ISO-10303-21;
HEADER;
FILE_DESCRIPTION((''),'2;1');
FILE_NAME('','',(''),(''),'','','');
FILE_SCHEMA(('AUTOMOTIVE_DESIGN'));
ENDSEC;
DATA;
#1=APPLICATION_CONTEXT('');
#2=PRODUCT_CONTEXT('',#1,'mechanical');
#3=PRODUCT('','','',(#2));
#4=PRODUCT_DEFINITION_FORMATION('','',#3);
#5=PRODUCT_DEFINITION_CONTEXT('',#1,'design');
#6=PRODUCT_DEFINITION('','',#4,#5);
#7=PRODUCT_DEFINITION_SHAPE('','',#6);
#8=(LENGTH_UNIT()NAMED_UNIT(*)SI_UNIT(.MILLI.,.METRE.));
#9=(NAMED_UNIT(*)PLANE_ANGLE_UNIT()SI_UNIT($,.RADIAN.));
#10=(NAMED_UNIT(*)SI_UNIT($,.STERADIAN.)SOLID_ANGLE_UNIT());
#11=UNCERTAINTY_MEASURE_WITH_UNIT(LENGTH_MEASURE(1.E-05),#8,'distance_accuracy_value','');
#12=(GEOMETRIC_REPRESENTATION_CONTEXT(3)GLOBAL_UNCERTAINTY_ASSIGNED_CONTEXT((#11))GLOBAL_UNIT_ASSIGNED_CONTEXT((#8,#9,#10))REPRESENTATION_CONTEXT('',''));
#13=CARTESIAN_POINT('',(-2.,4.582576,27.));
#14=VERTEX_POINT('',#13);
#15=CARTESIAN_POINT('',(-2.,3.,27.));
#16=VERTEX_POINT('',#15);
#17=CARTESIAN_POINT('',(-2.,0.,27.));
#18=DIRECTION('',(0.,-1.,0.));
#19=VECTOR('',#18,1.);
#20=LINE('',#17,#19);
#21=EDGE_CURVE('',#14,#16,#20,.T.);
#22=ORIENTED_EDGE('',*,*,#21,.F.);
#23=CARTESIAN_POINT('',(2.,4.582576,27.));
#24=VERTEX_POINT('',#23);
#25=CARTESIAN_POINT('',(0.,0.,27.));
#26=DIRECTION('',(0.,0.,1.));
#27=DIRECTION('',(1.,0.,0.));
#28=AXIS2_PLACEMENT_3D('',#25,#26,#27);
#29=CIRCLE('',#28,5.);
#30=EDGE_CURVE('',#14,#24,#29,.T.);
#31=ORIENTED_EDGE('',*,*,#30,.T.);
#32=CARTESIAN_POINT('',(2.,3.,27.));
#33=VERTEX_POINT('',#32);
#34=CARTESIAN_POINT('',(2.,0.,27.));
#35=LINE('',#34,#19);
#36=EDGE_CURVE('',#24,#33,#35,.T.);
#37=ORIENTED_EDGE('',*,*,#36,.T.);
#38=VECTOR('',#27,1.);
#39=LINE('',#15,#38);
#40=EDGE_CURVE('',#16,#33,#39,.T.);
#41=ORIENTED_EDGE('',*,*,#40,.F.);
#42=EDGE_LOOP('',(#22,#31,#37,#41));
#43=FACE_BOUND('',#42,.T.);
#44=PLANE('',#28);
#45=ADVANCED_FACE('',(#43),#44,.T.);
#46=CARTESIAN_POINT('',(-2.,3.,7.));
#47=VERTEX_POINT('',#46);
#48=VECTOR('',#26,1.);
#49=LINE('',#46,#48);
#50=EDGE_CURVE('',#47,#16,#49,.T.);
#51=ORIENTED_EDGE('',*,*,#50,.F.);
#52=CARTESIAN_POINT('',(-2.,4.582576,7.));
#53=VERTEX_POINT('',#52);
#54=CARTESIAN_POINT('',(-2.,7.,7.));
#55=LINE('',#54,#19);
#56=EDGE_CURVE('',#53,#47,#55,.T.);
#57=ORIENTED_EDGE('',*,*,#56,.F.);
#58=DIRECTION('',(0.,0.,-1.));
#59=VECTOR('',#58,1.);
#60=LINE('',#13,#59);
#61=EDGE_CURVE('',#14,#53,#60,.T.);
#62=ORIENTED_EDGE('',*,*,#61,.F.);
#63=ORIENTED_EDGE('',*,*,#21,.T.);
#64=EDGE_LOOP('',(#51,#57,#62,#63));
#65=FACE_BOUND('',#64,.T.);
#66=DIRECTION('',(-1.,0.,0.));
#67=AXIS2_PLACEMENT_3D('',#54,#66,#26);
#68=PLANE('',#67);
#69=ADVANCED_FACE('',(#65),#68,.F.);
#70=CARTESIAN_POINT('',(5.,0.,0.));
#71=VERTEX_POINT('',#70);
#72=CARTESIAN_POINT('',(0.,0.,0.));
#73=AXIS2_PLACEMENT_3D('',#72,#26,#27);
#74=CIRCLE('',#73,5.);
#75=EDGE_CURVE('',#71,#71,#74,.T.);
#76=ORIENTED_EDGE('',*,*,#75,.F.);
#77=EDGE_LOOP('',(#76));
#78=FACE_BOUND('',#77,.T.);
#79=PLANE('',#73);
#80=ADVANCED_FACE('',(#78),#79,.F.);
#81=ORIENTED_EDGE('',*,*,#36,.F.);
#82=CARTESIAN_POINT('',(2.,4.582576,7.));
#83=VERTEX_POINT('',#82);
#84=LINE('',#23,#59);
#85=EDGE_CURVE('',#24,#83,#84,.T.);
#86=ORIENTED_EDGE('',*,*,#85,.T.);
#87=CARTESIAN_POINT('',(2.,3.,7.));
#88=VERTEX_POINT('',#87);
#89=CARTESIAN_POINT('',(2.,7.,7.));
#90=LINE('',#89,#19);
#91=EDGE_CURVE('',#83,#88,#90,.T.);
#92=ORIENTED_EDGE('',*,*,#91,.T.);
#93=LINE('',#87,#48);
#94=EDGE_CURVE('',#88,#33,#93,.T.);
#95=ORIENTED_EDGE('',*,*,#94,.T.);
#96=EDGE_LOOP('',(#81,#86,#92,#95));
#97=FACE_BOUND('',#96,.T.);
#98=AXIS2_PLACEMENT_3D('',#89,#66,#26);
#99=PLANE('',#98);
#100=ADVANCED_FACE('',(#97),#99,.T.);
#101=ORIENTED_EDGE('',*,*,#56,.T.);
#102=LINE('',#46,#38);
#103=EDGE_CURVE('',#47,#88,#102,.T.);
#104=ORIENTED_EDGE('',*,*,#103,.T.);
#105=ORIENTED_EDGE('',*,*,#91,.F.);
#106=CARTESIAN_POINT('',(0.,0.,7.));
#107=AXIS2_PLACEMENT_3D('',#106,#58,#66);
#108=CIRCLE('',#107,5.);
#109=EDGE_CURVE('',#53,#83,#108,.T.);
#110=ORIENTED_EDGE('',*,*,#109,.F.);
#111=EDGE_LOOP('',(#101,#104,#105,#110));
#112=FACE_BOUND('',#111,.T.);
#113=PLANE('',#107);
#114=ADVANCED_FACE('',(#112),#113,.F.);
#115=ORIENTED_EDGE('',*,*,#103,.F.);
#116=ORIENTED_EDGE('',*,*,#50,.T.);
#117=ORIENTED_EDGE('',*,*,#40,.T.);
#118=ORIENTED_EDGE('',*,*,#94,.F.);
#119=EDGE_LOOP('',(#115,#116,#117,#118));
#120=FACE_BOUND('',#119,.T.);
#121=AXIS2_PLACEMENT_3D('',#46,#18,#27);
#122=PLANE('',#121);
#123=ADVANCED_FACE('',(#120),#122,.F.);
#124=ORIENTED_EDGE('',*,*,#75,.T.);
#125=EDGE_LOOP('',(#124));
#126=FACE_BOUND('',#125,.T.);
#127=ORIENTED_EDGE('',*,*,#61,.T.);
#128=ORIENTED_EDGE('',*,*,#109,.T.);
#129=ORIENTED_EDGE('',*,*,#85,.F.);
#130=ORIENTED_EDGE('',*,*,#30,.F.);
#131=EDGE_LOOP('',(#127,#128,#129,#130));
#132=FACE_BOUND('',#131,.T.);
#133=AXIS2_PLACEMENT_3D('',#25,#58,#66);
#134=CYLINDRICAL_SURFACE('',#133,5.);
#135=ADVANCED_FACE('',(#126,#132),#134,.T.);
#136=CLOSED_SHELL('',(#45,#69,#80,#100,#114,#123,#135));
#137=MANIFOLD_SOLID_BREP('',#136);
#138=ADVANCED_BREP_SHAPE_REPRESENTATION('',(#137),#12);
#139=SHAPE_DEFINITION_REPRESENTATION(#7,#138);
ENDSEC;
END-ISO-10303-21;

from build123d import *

# Parameters (mm, degrees)
SKETCH1_R           = 5
BOSS_EXTRUDE1_DEPTH = 27
SKETCH2_W           = 4
SKETCH2_H           = 4
CUT_EXTRUDE1_DEPTH  = 20


with BuildPart() as part:
    # Sketch1 → Boss-Extrude1 (new body)
    with BuildSketch(Plane.XY):
        Circle(SKETCH1_R)
    extrude(amount=BOSS_EXTRUDE1_DEPTH)

    # Sketch2 → Cut-Extrude1 (cut)
    with BuildSketch(Plane.XY.offset(27)):
        with Locations((0, 5)):
            Rectangle(SKETCH2_W, SKETCH2_H)
    extrude(amount=-CUT_EXTRUDE1_DEPTH, mode=Mode.SUBTRACT)


solid = part.part
